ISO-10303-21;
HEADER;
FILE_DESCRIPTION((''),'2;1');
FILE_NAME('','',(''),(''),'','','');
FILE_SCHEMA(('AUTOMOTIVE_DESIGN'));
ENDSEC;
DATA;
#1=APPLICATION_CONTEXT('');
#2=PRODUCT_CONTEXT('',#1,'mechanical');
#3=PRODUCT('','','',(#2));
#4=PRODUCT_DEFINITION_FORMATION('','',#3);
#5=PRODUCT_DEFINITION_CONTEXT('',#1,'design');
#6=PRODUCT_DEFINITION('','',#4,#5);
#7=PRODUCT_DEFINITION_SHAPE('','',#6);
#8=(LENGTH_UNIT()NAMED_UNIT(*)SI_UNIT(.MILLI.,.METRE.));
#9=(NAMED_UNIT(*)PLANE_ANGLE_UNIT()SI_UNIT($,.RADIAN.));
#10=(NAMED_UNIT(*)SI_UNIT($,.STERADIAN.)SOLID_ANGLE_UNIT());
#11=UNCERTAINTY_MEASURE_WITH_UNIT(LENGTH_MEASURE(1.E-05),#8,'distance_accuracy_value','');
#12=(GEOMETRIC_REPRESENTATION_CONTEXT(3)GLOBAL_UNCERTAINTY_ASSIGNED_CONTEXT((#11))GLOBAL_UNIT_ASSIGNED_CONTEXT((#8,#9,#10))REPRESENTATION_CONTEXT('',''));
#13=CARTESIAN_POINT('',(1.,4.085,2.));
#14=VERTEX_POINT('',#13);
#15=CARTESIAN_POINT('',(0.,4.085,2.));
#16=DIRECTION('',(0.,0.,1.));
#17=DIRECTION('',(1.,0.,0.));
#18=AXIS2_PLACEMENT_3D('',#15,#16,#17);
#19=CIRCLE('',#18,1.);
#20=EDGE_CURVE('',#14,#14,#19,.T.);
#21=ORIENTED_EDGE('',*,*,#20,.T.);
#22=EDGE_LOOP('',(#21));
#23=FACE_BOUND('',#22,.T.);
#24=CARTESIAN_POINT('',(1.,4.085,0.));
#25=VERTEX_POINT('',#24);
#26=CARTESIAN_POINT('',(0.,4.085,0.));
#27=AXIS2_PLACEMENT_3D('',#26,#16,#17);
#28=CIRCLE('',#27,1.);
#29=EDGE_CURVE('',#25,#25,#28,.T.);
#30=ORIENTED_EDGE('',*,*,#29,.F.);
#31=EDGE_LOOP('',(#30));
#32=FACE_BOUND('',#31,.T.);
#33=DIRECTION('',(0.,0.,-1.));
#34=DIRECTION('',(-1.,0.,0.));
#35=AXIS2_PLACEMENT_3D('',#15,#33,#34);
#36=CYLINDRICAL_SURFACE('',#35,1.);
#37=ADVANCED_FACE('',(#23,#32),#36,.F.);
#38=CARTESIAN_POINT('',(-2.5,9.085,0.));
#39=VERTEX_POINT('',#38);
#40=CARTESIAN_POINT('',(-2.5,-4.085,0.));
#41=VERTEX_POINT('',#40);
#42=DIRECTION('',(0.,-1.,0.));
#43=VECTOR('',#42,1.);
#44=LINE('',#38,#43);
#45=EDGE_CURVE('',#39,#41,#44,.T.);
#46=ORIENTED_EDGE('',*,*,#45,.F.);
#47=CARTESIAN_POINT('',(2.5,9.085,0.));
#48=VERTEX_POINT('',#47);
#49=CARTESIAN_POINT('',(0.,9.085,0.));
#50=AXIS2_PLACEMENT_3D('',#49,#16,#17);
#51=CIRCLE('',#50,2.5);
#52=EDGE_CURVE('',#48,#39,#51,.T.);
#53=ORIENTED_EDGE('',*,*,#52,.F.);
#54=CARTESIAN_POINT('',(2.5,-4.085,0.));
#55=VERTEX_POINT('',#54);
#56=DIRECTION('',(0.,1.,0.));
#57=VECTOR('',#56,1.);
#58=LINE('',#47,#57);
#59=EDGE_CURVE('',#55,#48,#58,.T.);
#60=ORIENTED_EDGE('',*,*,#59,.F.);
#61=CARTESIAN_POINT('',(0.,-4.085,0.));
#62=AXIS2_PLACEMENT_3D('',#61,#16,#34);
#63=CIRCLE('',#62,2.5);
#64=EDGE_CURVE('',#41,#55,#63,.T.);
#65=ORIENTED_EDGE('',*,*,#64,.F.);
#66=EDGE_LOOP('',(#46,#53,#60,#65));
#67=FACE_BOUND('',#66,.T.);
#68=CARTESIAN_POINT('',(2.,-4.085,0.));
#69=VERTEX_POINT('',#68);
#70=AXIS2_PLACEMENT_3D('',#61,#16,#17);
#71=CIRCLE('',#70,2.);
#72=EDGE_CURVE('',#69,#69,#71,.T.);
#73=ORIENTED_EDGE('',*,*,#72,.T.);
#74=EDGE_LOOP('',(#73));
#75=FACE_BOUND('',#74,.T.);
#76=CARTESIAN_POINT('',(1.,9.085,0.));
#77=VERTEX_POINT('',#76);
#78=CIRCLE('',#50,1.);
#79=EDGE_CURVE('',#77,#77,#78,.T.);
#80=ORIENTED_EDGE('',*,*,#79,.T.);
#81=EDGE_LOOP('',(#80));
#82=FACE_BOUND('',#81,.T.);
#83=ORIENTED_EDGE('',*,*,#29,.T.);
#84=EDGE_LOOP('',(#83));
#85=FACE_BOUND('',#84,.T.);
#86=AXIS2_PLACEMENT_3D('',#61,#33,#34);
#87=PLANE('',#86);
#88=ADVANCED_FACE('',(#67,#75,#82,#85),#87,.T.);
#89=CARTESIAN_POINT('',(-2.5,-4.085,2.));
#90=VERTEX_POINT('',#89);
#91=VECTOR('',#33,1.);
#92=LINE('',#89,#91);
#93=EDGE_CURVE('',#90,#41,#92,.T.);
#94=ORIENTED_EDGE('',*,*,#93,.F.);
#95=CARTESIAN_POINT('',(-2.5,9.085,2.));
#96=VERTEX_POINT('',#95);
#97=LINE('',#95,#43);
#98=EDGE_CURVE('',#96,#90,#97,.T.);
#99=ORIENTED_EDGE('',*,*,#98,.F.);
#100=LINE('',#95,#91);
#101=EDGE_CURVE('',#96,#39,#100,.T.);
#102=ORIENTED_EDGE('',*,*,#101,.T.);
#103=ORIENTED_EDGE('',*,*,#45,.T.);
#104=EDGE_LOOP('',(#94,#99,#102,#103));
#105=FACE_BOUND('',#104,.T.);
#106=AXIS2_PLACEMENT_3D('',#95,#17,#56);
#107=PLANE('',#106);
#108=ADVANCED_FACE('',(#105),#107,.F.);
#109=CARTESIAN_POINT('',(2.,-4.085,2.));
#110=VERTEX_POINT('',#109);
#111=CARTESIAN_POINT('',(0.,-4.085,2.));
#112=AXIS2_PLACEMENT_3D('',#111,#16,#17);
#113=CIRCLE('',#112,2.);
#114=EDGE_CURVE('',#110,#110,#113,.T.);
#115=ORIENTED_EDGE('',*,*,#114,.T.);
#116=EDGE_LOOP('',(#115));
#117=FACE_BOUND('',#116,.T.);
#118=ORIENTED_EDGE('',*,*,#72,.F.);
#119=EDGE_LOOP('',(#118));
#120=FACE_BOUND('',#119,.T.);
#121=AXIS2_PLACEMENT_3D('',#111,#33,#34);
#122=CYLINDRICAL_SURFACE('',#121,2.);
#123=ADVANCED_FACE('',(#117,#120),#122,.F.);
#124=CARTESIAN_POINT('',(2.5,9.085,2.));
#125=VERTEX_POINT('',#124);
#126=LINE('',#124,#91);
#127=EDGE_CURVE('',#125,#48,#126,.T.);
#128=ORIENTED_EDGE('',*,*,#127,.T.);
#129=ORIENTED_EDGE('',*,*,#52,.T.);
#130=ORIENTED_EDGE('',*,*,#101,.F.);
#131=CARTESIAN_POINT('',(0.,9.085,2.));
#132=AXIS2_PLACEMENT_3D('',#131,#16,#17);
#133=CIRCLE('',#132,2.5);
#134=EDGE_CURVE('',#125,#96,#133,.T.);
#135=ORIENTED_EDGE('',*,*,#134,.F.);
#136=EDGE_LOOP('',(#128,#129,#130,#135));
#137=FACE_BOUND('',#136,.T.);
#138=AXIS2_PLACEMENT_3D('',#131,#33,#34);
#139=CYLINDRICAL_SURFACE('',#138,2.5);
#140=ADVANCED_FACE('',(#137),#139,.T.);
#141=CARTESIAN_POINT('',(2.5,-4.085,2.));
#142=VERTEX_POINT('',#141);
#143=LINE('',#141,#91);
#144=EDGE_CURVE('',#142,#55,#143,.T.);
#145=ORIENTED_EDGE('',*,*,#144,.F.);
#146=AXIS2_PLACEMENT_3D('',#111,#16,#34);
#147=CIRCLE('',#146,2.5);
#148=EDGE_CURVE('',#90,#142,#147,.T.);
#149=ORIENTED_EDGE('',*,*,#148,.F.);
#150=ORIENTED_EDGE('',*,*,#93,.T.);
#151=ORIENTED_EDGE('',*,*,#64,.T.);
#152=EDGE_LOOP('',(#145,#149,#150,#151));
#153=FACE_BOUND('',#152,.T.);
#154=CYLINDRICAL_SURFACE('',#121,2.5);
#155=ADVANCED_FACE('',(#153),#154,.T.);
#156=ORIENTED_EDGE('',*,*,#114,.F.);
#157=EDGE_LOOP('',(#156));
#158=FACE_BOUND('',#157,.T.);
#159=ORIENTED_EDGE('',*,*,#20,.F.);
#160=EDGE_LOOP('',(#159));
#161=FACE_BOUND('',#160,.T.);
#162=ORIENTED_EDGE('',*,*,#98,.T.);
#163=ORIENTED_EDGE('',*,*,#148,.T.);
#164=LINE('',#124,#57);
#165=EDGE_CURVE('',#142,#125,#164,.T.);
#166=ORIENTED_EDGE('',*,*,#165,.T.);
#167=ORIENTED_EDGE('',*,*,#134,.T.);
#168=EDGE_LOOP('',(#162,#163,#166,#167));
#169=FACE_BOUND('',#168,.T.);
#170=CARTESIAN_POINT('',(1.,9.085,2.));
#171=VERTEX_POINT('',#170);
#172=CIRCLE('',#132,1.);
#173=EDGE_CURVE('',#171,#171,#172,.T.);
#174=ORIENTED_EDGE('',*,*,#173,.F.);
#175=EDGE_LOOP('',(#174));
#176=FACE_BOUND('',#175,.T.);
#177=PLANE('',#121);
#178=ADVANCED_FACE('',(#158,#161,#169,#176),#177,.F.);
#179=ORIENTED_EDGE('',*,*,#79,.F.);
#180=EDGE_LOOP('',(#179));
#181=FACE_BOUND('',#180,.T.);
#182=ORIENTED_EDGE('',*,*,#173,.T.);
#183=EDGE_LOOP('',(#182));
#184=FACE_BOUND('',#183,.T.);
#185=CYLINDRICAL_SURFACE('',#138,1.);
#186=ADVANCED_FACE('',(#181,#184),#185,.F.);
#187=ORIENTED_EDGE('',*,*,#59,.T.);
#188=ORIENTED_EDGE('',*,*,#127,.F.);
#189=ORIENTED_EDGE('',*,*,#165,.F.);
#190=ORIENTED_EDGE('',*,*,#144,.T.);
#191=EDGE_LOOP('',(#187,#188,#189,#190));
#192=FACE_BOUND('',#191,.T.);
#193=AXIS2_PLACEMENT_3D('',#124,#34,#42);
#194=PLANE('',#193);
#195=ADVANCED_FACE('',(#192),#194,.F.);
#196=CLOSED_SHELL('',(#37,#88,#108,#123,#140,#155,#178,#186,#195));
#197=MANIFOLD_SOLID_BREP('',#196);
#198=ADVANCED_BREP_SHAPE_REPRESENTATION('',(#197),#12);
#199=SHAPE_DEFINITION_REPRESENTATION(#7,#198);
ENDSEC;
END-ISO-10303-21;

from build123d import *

# Parameters (mm, degrees)
SKETCH_1_R      = 1
SKETCH_1_R_2    = 2
EXTRUDE_1_DEPTH = 2


with BuildPart() as part:
    # 스케치1 → 보스-돌출1 (new body)
    with BuildSketch(Plane.XY):
        with BuildLine():
            Line((-2.5, 9.085), (-2.5, -4.085))
            ThreePointArc((-2.5, -4.085), (0, -6.585), (2.5, -4.085))
            Line((2.5, -4.085), (2.5, 9.085))
            ThreePointArc((2.5, 9.085), (0, 11.585), (-2.5, 9.085))
        make_face()
        with Locations((0, 4.085)):
            Circle(SKETCH_1_R, mode=Mode.SUBTRACT)
        with Locations((0, -4.085)):
            Circle(SKETCH_1_R_2, mode=Mode.SUBTRACT)
        with Locations((0, 9.085)):
            Circle(SKETCH_1_R, mode=Mode.SUBTRACT)
    extrude(amount=EXTRUDE_1_DEPTH)


solid = part.part
